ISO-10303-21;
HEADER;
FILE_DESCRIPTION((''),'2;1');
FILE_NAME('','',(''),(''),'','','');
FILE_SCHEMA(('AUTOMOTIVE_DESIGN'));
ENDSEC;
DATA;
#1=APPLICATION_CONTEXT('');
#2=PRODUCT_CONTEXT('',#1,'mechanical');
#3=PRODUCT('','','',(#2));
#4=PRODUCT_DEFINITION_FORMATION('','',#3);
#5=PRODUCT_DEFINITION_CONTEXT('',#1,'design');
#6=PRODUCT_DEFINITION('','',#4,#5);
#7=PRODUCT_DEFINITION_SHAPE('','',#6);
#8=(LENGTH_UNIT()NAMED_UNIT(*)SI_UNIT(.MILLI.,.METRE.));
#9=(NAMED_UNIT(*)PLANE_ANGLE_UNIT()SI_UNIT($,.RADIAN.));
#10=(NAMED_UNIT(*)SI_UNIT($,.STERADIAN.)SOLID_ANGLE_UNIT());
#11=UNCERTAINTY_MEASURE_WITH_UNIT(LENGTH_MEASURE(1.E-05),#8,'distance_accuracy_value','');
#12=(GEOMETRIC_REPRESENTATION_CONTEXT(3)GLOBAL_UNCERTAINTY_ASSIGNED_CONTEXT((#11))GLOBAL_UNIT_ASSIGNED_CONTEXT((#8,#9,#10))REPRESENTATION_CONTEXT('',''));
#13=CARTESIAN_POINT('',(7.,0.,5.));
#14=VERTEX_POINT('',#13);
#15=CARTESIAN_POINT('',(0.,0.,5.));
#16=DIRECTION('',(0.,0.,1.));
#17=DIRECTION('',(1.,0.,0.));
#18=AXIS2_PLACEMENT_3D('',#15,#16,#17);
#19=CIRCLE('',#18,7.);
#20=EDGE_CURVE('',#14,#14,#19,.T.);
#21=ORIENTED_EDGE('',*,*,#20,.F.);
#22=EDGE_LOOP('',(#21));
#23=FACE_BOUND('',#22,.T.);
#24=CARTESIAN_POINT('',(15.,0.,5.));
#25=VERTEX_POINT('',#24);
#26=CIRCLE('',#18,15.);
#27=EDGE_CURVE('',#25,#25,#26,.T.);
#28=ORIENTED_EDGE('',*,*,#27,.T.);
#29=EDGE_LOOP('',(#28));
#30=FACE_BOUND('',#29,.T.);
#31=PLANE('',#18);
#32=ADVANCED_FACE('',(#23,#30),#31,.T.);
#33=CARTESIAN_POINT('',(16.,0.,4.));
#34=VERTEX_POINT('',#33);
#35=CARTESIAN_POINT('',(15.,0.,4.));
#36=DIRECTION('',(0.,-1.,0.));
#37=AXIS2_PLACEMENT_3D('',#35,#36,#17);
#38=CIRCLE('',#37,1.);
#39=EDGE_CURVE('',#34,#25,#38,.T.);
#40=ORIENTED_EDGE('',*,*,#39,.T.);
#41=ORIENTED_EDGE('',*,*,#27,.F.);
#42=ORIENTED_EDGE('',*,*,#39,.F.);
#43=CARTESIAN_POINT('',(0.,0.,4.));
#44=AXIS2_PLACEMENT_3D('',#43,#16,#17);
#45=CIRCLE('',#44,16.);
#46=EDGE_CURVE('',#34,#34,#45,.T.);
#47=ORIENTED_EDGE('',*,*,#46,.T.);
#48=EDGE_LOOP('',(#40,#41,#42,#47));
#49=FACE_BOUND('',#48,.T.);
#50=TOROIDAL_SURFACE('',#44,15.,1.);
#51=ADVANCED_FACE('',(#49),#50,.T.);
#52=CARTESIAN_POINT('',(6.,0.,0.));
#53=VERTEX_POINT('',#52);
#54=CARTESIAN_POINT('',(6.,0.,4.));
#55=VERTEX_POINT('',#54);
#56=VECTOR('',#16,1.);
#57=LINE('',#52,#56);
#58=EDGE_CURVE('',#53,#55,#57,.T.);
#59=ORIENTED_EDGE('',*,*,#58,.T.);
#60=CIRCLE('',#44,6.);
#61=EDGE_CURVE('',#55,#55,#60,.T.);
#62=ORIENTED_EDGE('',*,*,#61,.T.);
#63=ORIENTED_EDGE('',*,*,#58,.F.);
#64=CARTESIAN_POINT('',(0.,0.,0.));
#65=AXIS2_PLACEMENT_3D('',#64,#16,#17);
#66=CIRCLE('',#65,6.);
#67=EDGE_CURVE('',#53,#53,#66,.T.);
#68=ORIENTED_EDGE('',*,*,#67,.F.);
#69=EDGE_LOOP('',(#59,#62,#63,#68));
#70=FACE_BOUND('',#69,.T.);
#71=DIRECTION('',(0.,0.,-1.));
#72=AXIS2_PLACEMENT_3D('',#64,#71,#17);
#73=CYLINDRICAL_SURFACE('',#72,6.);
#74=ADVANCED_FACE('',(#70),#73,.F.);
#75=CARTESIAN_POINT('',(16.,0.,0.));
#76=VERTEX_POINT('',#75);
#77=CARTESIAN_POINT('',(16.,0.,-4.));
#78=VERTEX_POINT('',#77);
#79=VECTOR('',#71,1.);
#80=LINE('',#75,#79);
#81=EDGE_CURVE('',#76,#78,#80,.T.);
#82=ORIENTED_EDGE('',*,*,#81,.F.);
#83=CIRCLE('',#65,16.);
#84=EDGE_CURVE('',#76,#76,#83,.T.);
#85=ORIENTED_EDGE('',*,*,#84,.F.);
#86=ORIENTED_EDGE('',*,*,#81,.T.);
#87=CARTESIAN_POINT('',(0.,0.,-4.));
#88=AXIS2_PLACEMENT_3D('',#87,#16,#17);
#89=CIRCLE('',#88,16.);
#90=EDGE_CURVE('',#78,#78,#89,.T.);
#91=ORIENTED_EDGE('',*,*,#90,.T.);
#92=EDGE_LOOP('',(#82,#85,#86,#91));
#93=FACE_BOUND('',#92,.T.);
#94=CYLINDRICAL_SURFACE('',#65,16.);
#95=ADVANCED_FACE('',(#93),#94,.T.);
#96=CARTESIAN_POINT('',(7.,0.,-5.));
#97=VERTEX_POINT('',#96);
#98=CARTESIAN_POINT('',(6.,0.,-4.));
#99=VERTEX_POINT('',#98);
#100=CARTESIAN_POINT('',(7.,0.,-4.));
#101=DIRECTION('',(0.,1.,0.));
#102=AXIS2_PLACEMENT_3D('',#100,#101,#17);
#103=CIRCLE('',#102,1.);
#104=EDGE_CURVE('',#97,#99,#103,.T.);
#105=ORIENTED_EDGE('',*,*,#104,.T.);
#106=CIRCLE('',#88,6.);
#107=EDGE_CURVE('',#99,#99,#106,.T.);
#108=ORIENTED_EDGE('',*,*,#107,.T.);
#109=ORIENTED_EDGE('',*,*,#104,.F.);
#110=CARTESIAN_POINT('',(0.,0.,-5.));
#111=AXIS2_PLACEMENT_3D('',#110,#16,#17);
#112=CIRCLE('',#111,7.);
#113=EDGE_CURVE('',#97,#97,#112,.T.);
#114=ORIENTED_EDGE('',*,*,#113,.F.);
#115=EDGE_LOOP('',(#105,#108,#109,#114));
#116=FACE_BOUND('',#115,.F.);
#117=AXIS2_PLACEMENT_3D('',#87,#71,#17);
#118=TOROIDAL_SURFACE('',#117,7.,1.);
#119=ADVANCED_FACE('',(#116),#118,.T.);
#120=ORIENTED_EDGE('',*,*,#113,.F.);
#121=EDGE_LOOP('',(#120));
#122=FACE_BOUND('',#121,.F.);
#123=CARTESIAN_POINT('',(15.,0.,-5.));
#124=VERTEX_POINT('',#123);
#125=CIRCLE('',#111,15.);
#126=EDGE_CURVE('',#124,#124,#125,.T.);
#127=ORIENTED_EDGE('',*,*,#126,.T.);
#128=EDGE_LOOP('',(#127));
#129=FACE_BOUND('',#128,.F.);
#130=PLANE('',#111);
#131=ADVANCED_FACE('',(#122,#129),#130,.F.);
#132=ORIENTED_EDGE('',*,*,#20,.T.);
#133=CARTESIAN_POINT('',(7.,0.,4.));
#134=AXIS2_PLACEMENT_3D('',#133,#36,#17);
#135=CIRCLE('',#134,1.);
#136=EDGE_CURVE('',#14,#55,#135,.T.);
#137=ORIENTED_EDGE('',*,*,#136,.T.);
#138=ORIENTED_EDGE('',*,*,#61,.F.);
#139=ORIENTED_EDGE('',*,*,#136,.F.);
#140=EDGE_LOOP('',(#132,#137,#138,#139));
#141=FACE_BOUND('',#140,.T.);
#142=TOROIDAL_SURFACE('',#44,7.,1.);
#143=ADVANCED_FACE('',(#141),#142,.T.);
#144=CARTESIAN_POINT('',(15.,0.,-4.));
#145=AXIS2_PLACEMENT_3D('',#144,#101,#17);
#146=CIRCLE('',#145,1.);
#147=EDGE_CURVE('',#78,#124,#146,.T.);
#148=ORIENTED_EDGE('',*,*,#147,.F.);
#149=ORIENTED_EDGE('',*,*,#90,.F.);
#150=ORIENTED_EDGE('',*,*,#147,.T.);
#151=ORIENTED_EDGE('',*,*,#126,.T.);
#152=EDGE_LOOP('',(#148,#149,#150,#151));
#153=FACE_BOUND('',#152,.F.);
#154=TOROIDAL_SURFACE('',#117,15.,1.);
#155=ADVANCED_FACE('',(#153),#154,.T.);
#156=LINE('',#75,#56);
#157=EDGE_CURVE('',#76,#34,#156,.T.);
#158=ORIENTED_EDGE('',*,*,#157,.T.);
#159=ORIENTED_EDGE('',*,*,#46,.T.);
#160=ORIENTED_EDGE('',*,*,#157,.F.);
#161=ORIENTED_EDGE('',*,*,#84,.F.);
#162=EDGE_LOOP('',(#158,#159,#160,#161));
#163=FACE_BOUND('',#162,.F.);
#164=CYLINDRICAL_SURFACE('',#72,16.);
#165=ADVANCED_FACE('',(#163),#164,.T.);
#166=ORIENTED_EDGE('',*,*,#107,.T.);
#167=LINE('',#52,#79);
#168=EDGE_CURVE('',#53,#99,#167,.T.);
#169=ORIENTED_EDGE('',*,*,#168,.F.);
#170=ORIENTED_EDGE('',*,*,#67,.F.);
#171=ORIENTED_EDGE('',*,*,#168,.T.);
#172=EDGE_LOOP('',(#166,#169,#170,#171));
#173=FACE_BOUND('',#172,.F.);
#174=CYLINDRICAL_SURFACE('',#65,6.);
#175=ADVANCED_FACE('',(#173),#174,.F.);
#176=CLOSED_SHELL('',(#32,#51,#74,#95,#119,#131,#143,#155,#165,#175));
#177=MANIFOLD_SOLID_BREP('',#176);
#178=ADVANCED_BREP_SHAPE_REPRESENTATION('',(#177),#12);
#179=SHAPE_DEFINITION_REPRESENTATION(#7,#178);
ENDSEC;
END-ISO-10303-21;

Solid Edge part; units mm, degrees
sketch "Sketch1" plane through (0, 0, 0) normal (0, 0, 1) x (1, 0, 0)
  circle A0 centre (0, 0) radius 6
  circle A1 centre (0, 0) radius 16
  dimension "D1" = 12
  dimension "D2" = 32
extrude "Ajout_matière_1" add sketch "Sketch1" along normal mid plane 10
fillet "Congé_1" radius 1 4 edges at (-16, 0, 5) (-16, 0, -5) (-6, 0, 5) (-6, 0, -5)
properties material "Acier inoxydable"
